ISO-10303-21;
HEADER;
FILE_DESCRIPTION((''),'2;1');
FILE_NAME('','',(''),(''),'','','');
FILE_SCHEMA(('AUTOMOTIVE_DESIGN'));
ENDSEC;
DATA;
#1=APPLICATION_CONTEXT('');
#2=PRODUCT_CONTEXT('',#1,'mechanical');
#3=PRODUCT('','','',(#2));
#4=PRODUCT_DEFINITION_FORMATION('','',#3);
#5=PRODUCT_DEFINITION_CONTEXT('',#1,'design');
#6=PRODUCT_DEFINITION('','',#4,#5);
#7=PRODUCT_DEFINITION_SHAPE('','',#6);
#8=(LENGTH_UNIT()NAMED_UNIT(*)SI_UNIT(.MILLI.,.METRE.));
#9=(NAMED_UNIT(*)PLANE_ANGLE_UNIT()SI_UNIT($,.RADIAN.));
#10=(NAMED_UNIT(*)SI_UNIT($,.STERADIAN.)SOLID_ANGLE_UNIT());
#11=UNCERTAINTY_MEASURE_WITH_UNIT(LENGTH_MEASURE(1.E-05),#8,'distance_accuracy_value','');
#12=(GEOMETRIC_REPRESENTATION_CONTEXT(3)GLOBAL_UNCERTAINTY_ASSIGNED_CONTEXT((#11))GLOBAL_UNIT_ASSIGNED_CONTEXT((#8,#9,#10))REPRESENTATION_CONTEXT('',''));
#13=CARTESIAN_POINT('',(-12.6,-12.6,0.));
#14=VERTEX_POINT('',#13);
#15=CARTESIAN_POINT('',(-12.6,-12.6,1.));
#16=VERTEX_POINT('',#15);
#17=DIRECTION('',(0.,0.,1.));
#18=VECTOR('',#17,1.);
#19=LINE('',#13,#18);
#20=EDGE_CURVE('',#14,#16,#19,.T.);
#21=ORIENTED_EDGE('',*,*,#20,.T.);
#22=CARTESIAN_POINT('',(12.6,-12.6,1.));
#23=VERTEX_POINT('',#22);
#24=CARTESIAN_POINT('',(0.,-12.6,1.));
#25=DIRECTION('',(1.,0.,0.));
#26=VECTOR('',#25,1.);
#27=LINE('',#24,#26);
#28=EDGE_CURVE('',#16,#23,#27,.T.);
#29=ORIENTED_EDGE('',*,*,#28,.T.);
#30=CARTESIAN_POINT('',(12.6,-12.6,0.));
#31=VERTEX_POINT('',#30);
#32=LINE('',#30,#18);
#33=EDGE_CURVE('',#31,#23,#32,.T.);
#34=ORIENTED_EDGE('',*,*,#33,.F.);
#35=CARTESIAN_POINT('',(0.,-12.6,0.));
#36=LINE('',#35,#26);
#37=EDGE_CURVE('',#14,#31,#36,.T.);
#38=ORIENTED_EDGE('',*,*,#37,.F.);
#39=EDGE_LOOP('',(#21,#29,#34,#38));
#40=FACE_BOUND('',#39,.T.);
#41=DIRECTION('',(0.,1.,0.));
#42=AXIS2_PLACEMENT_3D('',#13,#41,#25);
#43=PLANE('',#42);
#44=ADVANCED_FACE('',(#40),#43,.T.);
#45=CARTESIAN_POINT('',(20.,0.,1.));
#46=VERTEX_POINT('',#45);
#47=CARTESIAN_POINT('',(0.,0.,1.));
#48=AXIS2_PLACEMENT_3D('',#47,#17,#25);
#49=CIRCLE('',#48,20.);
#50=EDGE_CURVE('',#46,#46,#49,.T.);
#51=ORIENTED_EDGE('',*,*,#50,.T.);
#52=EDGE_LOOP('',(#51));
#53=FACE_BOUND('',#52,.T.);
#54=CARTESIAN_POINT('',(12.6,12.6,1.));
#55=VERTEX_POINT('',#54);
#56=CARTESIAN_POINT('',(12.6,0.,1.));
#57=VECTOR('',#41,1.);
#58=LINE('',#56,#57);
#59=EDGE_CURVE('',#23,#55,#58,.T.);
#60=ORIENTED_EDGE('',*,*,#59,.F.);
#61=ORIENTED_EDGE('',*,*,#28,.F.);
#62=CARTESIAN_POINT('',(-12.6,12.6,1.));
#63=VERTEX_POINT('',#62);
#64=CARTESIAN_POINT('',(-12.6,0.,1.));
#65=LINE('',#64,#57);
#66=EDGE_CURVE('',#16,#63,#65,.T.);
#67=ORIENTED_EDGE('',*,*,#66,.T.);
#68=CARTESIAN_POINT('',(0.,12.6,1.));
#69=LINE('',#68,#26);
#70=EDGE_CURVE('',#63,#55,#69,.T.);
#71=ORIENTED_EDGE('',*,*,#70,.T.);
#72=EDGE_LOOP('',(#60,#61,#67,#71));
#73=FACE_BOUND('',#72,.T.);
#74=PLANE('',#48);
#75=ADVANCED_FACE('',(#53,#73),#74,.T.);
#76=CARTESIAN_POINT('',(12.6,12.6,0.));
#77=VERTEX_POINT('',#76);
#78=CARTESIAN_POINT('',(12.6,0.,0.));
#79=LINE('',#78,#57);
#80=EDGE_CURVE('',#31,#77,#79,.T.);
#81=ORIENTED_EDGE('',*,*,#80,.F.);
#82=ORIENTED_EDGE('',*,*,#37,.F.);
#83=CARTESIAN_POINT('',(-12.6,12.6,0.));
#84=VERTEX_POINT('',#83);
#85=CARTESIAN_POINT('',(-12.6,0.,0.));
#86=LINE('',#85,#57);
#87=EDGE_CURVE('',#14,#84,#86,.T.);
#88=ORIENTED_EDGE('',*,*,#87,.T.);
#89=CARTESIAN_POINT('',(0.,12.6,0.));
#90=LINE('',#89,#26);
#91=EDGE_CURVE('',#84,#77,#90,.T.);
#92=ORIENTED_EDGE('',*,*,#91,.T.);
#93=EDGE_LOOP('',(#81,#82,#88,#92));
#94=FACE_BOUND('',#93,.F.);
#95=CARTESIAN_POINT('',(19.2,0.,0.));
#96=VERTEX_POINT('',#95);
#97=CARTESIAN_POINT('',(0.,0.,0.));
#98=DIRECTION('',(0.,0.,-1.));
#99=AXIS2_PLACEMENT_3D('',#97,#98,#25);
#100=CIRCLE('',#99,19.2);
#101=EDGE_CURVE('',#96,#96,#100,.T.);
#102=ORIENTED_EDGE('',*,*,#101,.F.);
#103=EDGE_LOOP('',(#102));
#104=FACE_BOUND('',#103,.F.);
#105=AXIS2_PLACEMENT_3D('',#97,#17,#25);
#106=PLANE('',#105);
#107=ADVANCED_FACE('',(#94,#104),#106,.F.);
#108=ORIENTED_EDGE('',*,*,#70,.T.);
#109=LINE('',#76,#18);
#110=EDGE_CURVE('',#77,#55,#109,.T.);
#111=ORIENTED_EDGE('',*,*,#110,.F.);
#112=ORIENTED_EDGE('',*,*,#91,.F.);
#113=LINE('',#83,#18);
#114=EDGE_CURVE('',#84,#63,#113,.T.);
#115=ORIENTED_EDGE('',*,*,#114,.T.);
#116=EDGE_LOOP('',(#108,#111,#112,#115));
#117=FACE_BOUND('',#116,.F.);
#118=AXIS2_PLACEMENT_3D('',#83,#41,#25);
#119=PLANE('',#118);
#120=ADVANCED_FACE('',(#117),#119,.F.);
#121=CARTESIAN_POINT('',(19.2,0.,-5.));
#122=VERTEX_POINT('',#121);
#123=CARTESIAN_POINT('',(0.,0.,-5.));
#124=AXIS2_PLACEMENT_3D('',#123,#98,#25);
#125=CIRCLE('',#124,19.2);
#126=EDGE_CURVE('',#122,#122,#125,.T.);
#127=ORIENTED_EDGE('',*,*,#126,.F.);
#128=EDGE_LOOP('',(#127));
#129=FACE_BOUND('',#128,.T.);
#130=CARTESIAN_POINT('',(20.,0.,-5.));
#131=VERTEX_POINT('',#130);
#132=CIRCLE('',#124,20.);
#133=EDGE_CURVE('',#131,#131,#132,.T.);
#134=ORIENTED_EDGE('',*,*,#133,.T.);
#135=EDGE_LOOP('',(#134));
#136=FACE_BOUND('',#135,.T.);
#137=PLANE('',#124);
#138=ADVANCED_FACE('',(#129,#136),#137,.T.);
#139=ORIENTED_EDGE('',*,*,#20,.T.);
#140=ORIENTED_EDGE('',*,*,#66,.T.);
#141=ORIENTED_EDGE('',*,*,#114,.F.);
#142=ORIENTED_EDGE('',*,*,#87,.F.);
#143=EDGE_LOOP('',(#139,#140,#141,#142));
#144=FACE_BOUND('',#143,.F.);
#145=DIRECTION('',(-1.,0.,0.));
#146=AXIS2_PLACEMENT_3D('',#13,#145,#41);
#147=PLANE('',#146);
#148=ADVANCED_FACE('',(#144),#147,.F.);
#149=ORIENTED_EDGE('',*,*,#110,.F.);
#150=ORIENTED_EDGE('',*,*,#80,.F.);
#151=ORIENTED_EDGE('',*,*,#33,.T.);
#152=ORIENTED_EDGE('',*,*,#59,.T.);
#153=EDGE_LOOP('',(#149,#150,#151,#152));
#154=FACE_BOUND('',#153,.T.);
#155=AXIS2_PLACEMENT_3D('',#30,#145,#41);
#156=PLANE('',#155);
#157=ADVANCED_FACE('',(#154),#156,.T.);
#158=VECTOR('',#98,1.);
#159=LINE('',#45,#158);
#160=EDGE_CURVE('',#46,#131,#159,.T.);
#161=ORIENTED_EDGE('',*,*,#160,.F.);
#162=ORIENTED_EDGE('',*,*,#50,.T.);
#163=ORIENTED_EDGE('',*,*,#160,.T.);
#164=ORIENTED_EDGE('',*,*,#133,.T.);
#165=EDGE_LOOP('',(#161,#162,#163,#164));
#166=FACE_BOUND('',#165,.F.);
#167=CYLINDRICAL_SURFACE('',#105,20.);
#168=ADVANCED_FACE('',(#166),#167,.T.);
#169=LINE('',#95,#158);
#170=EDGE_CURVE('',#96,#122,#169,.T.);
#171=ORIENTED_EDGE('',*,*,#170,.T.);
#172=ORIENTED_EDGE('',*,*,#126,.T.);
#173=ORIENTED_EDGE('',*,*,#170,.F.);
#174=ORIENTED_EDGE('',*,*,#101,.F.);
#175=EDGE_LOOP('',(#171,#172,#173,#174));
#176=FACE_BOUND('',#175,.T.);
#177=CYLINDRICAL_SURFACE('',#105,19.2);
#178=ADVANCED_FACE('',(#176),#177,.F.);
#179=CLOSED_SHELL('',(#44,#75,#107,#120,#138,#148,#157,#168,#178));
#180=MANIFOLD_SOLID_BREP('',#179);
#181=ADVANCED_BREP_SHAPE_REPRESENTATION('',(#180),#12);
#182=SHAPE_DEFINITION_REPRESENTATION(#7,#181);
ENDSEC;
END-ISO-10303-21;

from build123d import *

# Parameters (mm, degrees)
F0_R     = 20
F0_W     = 25.2
F0_H     = 25.2
F1_DEPTH = 1
F2_R     = 20
F2_R_2   = 19.2
F3_DEPTH = 5


with BuildPart() as f1:
    # F0 (on Top) → F1 (new body)
    with BuildSketch(Plane.XY):
        Circle(F0_R)
        Rectangle(F0_W, F0_H, mode=Mode.SUBTRACT)
    extrude(amount=F1_DEPTH)

    # F2 (on face) → F3 (join)
    with BuildSketch(Plane(origin=(0, 0, 0), x_dir=(1, 0, 0), z_dir=(0, 0, -1))):
        Circle(F2_R)
        Circle(F2_R_2, mode=Mode.SUBTRACT)
    extrude(amount=F3_DEPTH)


solid = f1.part
